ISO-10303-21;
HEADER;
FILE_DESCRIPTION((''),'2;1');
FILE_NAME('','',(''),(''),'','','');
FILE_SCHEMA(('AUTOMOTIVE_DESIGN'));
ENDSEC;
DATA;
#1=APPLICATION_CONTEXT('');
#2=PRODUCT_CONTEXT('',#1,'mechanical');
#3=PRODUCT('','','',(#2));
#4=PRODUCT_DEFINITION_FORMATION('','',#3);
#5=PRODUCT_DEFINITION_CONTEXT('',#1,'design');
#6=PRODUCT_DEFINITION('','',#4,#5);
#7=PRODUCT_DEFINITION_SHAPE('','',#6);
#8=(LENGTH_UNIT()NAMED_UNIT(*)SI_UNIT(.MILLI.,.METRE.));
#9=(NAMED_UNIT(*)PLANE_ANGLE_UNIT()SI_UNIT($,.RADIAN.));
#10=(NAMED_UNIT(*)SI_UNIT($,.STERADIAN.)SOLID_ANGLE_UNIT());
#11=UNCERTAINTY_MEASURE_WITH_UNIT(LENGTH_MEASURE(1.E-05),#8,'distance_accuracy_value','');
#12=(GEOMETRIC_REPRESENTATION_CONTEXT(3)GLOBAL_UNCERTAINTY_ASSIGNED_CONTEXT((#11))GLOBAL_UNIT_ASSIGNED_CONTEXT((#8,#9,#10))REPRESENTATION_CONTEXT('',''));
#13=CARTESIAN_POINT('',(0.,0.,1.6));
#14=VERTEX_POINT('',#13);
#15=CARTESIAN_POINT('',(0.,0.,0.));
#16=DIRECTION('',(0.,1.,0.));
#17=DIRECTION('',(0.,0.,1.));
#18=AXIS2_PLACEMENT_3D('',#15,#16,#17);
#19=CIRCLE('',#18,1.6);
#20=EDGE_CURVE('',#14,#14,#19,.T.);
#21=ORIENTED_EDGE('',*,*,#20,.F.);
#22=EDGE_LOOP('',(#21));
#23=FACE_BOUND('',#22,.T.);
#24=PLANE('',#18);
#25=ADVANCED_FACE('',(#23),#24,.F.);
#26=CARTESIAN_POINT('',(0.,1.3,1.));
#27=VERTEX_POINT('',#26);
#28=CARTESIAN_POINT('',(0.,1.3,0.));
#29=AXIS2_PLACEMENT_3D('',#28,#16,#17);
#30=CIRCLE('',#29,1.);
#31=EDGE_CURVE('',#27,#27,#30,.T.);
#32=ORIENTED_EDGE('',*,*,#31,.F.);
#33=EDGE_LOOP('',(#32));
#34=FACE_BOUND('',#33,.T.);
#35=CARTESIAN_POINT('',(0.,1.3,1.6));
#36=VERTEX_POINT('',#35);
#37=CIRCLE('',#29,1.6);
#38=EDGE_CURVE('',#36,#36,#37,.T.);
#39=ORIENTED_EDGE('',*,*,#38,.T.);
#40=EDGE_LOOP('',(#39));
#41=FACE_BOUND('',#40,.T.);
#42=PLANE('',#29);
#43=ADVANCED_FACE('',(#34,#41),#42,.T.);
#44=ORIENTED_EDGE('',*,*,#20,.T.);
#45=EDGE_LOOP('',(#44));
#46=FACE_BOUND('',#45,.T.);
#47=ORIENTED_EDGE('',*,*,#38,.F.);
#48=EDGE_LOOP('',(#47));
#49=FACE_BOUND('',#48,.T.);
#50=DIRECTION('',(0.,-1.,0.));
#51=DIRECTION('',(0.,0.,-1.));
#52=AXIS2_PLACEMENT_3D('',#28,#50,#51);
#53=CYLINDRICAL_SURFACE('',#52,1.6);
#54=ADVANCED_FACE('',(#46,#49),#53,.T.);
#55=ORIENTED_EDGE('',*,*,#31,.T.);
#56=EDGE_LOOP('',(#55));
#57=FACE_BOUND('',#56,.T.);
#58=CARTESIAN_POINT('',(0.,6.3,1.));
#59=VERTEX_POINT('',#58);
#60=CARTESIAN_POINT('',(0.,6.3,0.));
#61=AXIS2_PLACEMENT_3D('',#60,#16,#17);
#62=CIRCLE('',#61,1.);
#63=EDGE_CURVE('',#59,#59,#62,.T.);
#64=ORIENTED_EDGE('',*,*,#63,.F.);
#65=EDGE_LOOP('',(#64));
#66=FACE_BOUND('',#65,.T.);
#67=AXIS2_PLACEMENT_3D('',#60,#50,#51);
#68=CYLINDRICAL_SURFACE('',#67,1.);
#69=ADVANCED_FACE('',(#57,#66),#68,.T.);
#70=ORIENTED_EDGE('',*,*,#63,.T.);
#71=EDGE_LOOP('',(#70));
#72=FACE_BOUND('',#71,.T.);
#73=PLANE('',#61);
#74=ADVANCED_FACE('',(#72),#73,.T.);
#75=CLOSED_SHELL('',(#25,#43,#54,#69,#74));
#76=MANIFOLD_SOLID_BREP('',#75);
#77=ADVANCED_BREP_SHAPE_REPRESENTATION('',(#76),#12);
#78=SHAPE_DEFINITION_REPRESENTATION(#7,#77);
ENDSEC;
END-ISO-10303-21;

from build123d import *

# Parameters (mm, degrees)
SKETCH_1_R      = 1.6
EXTRUDE_1_DEPTH = 1.3
EXTRUDE_START   = 1.3
SKETCH_2_R      = 1
EXTRUDE_2_DEPTH = 5


with BuildPart() as part:
    # 草图1 → 凸台-拉伸1 (new body)
    with BuildSketch(Plane(origin=(0, 0, 0), x_dir=(1, 0, 0), z_dir=(0, 1, 0))):
        with Locations(Location((0, 0, 0), (0, 0, 270))):
            Circle(SKETCH_1_R)
    extrude(amount=EXTRUDE_1_DEPTH)

    # 草图2 → 凸台-拉伸2 (add)
    with BuildSketch(Plane(origin=(0, 0, 0), x_dir=(1, 0, 0), z_dir=(0, 1, 0)).offset(EXTRUDE_START)):
        with Locations(Location((0, 0, 0), (0, 0, 270))):
            Circle(SKETCH_2_R)
    extrude(amount=EXTRUDE_2_DEPTH)


solid = part.part
